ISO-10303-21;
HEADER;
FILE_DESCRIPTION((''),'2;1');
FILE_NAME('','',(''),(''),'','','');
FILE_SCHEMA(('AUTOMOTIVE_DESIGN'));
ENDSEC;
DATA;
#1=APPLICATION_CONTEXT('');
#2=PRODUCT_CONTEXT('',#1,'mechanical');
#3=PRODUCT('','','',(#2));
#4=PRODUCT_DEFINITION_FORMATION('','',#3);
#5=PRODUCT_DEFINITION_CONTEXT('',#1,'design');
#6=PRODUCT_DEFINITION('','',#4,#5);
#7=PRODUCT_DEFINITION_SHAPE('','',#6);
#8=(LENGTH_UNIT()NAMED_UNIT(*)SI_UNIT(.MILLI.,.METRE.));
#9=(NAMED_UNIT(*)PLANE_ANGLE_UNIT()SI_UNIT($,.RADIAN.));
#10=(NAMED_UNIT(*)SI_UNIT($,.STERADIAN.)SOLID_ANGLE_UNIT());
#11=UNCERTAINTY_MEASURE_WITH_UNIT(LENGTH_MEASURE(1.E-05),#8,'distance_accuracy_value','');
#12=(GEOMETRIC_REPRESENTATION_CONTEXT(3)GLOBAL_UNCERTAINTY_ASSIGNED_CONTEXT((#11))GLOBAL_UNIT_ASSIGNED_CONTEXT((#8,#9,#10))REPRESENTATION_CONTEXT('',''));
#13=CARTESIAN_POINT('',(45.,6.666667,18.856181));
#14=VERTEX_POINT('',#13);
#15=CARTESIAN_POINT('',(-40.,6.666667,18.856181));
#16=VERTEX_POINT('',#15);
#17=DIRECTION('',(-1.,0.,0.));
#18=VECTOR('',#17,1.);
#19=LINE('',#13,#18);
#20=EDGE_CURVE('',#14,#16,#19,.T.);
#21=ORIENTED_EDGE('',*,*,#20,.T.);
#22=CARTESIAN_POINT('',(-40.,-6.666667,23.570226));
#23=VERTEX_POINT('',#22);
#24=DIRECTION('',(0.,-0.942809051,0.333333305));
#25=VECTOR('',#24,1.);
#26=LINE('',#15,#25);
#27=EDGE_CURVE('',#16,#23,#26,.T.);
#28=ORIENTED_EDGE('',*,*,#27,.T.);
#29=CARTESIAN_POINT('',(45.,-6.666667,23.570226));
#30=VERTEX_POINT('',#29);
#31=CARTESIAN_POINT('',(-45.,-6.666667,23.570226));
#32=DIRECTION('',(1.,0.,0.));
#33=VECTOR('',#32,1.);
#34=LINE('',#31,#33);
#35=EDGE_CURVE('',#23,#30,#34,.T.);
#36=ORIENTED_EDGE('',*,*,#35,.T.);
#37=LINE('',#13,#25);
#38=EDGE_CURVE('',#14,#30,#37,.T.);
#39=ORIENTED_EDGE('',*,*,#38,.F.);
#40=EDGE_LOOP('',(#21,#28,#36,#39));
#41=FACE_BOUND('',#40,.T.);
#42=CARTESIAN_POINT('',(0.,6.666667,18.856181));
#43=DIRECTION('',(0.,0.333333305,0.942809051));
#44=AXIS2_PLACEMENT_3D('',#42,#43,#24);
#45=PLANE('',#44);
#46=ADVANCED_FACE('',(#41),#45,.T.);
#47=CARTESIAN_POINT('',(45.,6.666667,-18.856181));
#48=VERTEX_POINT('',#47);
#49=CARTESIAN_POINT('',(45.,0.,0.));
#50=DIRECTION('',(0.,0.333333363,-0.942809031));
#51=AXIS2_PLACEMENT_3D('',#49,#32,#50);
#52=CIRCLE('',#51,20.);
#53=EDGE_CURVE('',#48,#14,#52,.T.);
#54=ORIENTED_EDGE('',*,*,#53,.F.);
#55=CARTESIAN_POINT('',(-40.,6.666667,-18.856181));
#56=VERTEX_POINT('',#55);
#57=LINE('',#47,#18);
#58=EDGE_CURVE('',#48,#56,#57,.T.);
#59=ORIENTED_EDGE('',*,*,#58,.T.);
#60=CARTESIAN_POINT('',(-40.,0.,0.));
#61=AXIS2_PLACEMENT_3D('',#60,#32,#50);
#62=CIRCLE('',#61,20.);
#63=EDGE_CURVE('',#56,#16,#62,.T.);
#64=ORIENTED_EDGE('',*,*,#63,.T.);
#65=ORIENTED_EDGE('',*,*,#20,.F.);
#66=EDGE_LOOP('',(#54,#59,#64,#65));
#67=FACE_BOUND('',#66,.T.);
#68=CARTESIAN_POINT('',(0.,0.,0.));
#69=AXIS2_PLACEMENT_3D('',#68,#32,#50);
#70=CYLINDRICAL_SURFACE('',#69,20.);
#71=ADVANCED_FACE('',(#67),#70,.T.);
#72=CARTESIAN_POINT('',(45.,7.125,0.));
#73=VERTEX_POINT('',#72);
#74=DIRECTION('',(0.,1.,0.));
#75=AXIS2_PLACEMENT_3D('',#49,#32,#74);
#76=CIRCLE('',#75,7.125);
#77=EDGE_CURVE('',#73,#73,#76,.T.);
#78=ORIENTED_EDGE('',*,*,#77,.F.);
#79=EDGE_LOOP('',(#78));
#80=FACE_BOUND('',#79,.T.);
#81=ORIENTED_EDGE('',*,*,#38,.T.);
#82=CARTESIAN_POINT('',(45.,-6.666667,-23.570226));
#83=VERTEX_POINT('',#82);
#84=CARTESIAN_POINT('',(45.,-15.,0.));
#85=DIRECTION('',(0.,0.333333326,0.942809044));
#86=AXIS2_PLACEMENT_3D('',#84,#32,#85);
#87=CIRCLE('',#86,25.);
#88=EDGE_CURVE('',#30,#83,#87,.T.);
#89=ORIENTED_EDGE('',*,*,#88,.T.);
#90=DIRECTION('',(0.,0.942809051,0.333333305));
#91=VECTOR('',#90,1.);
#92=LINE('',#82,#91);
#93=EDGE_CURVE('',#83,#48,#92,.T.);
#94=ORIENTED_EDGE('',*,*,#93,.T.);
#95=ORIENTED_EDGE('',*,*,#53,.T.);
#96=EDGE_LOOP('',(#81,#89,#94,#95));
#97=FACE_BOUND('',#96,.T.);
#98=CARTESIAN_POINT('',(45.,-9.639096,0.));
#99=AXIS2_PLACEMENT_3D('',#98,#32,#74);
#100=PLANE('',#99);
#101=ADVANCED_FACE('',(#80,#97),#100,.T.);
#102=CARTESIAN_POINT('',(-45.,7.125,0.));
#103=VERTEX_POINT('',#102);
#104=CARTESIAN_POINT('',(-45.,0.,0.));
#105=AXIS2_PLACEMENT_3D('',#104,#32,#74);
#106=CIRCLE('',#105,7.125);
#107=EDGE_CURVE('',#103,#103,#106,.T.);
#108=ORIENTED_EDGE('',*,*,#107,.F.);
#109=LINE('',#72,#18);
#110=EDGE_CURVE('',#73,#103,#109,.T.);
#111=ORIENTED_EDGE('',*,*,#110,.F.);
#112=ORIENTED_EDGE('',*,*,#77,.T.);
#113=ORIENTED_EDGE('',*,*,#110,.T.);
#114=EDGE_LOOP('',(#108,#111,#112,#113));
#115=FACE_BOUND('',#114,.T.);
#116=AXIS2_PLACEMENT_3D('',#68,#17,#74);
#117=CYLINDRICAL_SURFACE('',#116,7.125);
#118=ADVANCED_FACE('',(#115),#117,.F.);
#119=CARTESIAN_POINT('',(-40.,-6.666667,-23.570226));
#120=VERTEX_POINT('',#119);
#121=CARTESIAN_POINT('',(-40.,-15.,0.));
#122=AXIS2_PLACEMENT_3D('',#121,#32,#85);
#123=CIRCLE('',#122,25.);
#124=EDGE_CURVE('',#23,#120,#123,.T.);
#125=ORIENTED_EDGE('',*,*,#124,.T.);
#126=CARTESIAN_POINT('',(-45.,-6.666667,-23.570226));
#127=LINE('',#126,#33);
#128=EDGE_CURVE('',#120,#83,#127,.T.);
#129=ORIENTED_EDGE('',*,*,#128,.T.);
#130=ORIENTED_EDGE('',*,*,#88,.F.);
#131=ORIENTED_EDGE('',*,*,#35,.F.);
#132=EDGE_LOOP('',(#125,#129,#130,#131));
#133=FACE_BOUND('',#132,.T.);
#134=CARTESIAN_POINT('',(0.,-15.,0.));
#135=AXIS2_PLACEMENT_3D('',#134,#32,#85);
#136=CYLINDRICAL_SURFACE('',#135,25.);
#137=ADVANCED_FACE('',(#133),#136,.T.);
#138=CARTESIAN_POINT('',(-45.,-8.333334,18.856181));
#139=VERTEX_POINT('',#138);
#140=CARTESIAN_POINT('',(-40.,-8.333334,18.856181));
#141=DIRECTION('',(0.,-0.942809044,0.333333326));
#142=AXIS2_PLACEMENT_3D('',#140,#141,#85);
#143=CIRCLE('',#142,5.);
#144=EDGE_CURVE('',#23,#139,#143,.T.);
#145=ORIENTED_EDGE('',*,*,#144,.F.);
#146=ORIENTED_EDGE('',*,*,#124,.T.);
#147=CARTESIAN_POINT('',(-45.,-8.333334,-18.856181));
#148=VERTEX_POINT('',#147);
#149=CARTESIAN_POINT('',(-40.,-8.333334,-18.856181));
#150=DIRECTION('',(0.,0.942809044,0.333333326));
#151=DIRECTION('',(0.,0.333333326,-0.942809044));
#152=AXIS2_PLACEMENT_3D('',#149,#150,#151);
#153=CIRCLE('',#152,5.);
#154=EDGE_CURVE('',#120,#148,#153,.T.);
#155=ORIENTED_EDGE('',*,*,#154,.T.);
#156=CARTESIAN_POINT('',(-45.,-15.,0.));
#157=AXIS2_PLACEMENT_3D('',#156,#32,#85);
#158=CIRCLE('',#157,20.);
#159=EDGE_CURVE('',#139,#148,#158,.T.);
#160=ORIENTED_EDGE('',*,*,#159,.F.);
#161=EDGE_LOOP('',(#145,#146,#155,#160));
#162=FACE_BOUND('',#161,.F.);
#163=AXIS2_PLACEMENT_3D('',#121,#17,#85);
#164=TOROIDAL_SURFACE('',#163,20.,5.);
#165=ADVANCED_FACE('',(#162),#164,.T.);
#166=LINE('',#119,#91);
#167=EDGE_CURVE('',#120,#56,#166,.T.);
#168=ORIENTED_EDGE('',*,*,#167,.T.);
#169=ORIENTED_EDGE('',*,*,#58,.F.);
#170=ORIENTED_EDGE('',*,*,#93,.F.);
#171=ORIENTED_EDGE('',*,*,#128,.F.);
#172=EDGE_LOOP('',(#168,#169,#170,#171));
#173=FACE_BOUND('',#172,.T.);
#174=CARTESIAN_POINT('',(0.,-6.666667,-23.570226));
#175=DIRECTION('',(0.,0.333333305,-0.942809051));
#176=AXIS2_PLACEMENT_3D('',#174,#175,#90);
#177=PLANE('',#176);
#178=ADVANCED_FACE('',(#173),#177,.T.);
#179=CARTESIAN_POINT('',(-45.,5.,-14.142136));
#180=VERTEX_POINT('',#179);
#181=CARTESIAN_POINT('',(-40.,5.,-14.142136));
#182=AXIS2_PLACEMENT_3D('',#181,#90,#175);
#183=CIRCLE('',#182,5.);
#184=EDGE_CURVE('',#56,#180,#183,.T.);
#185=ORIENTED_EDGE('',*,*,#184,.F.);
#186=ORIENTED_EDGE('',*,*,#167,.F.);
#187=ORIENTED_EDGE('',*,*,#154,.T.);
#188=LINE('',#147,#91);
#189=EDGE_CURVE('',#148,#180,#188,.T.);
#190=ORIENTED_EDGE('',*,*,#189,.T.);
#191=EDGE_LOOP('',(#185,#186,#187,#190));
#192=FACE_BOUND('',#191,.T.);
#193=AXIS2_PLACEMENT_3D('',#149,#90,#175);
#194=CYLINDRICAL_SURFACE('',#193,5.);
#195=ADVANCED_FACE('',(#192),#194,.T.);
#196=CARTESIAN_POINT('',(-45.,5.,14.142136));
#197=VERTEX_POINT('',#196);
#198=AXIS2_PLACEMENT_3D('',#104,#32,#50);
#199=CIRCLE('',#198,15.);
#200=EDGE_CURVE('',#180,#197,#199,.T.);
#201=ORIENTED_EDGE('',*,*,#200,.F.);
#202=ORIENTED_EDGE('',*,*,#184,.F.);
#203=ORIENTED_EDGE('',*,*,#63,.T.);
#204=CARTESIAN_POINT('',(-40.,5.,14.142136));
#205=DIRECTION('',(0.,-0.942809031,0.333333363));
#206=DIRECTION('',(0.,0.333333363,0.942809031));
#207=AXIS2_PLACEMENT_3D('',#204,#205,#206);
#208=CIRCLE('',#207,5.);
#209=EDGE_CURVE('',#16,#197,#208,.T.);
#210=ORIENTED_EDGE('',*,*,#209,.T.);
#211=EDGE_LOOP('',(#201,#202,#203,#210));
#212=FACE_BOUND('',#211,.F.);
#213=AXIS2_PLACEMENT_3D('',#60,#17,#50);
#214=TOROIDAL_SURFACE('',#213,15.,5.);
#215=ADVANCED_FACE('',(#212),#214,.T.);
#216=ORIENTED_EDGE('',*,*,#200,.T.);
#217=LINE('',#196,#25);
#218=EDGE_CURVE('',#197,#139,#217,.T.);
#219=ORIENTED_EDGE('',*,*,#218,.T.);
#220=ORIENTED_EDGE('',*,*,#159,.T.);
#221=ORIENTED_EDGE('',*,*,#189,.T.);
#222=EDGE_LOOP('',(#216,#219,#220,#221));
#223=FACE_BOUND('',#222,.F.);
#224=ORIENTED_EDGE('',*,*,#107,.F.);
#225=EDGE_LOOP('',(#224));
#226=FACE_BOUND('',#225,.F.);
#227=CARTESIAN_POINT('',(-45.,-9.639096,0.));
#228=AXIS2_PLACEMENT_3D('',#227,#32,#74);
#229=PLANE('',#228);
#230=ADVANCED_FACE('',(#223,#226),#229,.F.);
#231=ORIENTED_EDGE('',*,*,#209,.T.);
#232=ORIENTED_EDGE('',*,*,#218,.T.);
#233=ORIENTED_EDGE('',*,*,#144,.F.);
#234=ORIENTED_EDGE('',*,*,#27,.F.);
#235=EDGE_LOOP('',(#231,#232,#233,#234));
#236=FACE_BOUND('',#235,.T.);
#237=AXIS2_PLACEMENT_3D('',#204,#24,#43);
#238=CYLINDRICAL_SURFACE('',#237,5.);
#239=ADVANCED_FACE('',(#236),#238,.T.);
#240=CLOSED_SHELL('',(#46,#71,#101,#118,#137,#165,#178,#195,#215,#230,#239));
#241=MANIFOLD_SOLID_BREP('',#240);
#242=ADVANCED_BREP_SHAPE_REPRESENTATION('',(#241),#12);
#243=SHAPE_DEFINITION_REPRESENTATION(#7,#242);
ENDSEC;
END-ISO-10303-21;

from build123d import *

# Parameters (mm, degrees)
F0_R     = 7.125
F1_DEPTH = 45
F2_R     = 5


with BuildPart() as f1:
    # F0 (on Right) → F1 (new body, symmetric)
    with BuildSketch(Plane.YZ):
        with BuildLine():
            Line((6.666667, 18.856181), (-6.666667, 23.570226))
            ThreePointArc((-6.666667, 23.570226), (-40, 0), (-6.666667, -23.570226))
            Line((-6.666667, -23.570226), (6.666667, -18.856181))
            ThreePointArc((6.666667, -18.856181), (20, 0), (6.666667, 18.856181))
        make_face()
        Circle(F0_R, mode=Mode.SUBTRACT)
    extrude(amount=F1_DEPTH, both=True)

    # F2
    f2_edges = [f1.edges().sort_by_distance(p)[0] for p in [
        (-45, -40, 0),
    ]]
    fillet(f2_edges, radius=F2_R)


solid = f1.part
